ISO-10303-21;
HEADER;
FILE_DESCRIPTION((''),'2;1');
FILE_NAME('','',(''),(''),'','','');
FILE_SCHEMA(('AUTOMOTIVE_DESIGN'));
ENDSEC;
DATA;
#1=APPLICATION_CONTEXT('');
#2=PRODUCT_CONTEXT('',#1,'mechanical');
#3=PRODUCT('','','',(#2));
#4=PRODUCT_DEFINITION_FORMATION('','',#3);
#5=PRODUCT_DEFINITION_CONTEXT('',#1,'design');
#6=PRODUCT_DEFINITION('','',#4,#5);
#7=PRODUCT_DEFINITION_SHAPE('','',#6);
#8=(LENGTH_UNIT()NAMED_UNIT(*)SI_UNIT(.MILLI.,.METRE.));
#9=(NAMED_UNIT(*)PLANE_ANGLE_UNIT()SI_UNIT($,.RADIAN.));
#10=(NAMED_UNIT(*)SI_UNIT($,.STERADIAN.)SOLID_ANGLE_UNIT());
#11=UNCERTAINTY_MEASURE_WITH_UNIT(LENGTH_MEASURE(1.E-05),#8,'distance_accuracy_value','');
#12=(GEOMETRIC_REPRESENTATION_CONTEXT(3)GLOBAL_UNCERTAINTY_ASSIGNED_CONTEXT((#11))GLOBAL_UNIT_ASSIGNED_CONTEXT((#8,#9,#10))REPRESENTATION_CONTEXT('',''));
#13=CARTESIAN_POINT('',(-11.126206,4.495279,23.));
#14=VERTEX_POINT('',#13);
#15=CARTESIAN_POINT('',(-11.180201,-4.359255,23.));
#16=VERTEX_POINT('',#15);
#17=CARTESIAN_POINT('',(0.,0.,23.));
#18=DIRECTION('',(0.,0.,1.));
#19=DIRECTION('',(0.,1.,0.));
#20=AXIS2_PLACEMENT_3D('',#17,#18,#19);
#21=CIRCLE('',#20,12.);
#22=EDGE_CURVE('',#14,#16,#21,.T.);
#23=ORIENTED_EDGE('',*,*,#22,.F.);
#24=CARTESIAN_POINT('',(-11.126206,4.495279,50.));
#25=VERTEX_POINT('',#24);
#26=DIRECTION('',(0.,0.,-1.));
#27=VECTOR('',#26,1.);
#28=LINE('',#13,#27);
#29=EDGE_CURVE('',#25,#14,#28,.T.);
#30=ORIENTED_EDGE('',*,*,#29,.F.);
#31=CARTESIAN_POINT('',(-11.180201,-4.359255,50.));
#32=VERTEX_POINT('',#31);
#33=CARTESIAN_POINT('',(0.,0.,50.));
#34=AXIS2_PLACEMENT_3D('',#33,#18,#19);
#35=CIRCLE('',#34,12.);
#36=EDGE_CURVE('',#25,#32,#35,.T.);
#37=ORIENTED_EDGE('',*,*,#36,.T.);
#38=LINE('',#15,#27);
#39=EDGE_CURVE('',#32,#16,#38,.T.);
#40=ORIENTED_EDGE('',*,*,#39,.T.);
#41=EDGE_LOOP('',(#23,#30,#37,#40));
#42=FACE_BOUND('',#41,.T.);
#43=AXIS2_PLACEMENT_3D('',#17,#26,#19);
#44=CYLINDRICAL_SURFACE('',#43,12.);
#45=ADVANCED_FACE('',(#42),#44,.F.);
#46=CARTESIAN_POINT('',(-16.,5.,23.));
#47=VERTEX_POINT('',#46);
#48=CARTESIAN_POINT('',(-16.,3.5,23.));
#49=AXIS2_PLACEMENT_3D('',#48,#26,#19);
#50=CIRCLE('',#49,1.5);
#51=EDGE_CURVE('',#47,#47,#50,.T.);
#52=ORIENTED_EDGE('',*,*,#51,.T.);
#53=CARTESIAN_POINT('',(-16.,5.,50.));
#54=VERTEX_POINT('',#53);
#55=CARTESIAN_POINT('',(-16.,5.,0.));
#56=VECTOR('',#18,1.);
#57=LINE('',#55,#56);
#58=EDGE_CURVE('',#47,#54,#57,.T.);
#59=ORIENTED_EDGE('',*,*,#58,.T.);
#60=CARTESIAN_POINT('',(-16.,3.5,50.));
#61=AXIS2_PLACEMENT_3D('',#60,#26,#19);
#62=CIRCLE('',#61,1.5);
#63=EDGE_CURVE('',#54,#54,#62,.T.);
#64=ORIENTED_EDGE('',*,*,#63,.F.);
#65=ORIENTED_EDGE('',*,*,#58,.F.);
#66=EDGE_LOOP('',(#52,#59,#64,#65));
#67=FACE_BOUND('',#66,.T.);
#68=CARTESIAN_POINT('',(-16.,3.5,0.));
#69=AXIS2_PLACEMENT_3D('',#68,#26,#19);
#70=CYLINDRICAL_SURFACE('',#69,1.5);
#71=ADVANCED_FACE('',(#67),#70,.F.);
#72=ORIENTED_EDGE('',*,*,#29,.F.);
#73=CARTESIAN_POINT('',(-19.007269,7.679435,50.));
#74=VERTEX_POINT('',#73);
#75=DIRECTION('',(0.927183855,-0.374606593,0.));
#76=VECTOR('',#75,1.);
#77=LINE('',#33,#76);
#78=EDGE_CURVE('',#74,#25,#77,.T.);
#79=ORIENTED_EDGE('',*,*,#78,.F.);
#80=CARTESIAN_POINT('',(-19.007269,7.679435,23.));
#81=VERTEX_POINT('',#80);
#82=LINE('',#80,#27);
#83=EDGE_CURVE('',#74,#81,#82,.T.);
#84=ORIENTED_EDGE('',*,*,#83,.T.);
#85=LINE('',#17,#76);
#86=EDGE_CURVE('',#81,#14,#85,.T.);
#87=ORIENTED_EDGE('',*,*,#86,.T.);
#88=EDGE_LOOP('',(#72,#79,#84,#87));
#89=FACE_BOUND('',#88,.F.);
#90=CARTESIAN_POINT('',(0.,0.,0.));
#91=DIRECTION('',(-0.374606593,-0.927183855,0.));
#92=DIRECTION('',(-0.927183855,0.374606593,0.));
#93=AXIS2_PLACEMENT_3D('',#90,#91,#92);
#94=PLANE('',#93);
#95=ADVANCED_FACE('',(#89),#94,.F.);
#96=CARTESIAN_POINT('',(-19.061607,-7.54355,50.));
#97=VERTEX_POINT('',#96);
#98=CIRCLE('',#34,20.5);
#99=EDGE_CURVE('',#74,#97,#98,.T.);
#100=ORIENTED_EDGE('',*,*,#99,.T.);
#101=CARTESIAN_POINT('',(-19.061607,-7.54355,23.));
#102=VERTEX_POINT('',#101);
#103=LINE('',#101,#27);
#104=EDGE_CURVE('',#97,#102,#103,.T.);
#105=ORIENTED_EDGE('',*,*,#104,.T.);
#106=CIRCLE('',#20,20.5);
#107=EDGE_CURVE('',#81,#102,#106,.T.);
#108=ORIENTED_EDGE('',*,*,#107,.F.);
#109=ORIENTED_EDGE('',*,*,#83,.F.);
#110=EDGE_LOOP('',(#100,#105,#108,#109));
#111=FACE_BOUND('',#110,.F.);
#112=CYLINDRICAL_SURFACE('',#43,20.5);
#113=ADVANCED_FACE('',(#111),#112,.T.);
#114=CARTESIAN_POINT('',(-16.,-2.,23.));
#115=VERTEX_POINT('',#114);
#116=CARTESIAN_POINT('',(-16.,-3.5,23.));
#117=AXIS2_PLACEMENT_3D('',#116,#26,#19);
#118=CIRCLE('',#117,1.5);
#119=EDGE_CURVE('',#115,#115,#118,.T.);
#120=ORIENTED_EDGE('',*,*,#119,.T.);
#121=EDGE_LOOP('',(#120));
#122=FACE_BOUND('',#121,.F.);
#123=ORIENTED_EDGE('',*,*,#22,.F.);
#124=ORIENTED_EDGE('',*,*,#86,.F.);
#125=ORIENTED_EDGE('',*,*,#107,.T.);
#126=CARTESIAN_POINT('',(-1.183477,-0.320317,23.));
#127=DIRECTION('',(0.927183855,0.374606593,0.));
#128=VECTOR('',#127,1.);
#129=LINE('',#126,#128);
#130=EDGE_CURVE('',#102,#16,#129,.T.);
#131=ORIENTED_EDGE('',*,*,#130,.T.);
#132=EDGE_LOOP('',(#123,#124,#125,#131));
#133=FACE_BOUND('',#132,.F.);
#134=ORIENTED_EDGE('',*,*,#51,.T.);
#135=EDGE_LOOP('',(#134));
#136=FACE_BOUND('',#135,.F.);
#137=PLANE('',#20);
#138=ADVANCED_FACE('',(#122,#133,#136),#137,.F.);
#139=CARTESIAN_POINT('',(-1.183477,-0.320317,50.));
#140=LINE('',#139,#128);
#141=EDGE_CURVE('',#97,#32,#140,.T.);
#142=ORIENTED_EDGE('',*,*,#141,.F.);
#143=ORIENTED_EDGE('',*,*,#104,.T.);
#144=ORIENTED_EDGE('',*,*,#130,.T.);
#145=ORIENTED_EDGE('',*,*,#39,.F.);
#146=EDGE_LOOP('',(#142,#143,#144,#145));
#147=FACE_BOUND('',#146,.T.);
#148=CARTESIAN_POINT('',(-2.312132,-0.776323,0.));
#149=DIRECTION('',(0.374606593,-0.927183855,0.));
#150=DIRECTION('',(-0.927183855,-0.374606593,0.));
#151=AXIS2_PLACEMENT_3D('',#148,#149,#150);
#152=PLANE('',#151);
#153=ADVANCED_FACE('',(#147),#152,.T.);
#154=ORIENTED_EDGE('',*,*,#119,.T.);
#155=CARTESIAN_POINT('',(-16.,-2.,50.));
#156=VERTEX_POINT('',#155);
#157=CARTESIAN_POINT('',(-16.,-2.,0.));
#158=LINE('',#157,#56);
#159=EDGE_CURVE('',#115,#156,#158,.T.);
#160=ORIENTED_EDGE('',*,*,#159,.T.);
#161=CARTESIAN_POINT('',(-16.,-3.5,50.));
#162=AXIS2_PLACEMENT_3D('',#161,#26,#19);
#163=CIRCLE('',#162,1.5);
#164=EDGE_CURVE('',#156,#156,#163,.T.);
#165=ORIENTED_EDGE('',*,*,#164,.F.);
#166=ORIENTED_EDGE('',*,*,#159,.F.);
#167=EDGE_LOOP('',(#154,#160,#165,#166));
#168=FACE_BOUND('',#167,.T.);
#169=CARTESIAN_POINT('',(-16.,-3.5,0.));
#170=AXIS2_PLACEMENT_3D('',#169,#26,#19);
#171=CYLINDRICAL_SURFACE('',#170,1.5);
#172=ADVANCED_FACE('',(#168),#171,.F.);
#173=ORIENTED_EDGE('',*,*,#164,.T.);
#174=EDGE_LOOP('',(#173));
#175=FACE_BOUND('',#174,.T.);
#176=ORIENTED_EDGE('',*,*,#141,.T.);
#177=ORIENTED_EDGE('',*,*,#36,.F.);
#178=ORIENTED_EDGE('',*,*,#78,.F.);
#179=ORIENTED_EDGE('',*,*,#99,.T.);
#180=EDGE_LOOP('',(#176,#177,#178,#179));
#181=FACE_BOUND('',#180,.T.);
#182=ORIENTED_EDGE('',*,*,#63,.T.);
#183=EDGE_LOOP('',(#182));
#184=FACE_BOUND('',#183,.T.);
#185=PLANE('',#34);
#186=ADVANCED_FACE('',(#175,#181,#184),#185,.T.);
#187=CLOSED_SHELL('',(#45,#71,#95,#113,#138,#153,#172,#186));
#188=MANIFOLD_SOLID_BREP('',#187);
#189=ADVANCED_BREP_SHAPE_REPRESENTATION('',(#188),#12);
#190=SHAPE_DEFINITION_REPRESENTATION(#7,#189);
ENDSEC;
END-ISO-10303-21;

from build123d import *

# Parameters (mm, degrees)
CYLINDER860_R          = 1.5
CYLINDER860_DEPTH      = 60
CYLINDER859_R          = 1.5
CYLINDER859_DEPTH      = 60
BOX336_W               = 20
BOX336_H               = 40
BOX336_DEPTH           = 60
BOX336_PLACEMENT_ANGLE = 22
BOX410_W               = 20
BOX410_H               = 40
BOX410_DEPTH           = 60
BOX410_PLACEMENT_ANGLE = 22
BOX335_W               = 60
BOX335_H               = 40
BOX335_DEPTH           = 60
TUBE037_R              = 20.5
TUBE037_R_2            = 12
TUBE037_DEPTH          = 27
CUT469_PLACEMENT_ANGLE = 90


with BuildPart() as v_lec860:
    # Cylinder860 → Cylinder860 (new body)
    with BuildSketch(Plane(origin=(-3.5, 16, 0), x_dir=(1, 0, 0), z_dir=(0, 0, 1))):
        Circle(CYLINDER860_R)
    extrude(amount=CYLINDER860_DEPTH)


with BuildPart() as compound565:
    # Cylinder859 → Cylinder859 (new body)
    with BuildSketch(Plane(origin=(3.5, 16, 0), x_dir=(1, 0, 0), z_dir=(0, 0, 1))):
        Circle(CYLINDER859_R)
    extrude(amount=CYLINDER859_DEPTH)

    # Compound565: union Válec860
    add(v_lec860.part)


with BuildPart() as krychle336:
    # Box336 → Box336 (new body)
    with BuildSketch(Plane.XY):
        with Locations((10, 20)):
            Rectangle(BOX336_W, BOX336_H)
    extrude(amount=BOX336_DEPTH)


with BuildPart() as krychle336_1:
    # Box336 placement: moved
    add(krychle336.part.rotate(Axis((0, 0, 0), (0, 0, -1)), BOX336_PLACEMENT_ANGLE))


with BuildPart() as krychle410:
    # Box410 → Box410 (new body)
    with BuildSketch(Plane.XY):
        with Locations((10, 20)):
            Rectangle(BOX410_W, BOX410_H)
    extrude(amount=BOX410_DEPTH)


with BuildPart() as krychle410_1:
    # Box410 placement: moved
    add(krychle410.part.moved(Location((-19.32, -5.18, 0))).rotate(Axis((-19.32, -5.18, 0), (0, 0, 1)), BOX410_PLACEMENT_ANGLE))


with BuildPart() as krychle335:
    # Box335 → Box335 (new body)
    with BuildSketch(Plane(origin=(-30, -35, 0), x_dir=(1, 0, 0), z_dir=(0, 0, 1))):
        with Locations((30, 20)):
            Rectangle(BOX335_W, BOX335_H)
    extrude(amount=BOX335_DEPTH)


with BuildPart() as cut469:
    # Tube037 → Tube037 (new body)
    with BuildSketch(Plane.XY.offset(23)):
        Circle(TUBE037_R)
        Circle(TUBE037_R_2, mode=Mode.SUBTRACT)
    extrude(amount=TUBE037_DEPTH)

    # Cut355: cut Krychle335
    add(krychle335.part, mode=Mode.SUBTRACT)

    # Cut357: cut Krychle410
    add(krychle410_1.part, mode=Mode.SUBTRACT)

    # Cut358: cut Krychle336
    add(krychle336_1.part, mode=Mode.SUBTRACT)

    # Cut469: cut Compound565
    add(compound565.part, mode=Mode.SUBTRACT)


with BuildPart() as cut469_1:
    # Cut469 placement: moved
    add(cut469.part.rotate(Axis((0, 0, 0), (0, 0, 1)), CUT469_PLACEMENT_ANGLE))


solid = cut469_1.part
